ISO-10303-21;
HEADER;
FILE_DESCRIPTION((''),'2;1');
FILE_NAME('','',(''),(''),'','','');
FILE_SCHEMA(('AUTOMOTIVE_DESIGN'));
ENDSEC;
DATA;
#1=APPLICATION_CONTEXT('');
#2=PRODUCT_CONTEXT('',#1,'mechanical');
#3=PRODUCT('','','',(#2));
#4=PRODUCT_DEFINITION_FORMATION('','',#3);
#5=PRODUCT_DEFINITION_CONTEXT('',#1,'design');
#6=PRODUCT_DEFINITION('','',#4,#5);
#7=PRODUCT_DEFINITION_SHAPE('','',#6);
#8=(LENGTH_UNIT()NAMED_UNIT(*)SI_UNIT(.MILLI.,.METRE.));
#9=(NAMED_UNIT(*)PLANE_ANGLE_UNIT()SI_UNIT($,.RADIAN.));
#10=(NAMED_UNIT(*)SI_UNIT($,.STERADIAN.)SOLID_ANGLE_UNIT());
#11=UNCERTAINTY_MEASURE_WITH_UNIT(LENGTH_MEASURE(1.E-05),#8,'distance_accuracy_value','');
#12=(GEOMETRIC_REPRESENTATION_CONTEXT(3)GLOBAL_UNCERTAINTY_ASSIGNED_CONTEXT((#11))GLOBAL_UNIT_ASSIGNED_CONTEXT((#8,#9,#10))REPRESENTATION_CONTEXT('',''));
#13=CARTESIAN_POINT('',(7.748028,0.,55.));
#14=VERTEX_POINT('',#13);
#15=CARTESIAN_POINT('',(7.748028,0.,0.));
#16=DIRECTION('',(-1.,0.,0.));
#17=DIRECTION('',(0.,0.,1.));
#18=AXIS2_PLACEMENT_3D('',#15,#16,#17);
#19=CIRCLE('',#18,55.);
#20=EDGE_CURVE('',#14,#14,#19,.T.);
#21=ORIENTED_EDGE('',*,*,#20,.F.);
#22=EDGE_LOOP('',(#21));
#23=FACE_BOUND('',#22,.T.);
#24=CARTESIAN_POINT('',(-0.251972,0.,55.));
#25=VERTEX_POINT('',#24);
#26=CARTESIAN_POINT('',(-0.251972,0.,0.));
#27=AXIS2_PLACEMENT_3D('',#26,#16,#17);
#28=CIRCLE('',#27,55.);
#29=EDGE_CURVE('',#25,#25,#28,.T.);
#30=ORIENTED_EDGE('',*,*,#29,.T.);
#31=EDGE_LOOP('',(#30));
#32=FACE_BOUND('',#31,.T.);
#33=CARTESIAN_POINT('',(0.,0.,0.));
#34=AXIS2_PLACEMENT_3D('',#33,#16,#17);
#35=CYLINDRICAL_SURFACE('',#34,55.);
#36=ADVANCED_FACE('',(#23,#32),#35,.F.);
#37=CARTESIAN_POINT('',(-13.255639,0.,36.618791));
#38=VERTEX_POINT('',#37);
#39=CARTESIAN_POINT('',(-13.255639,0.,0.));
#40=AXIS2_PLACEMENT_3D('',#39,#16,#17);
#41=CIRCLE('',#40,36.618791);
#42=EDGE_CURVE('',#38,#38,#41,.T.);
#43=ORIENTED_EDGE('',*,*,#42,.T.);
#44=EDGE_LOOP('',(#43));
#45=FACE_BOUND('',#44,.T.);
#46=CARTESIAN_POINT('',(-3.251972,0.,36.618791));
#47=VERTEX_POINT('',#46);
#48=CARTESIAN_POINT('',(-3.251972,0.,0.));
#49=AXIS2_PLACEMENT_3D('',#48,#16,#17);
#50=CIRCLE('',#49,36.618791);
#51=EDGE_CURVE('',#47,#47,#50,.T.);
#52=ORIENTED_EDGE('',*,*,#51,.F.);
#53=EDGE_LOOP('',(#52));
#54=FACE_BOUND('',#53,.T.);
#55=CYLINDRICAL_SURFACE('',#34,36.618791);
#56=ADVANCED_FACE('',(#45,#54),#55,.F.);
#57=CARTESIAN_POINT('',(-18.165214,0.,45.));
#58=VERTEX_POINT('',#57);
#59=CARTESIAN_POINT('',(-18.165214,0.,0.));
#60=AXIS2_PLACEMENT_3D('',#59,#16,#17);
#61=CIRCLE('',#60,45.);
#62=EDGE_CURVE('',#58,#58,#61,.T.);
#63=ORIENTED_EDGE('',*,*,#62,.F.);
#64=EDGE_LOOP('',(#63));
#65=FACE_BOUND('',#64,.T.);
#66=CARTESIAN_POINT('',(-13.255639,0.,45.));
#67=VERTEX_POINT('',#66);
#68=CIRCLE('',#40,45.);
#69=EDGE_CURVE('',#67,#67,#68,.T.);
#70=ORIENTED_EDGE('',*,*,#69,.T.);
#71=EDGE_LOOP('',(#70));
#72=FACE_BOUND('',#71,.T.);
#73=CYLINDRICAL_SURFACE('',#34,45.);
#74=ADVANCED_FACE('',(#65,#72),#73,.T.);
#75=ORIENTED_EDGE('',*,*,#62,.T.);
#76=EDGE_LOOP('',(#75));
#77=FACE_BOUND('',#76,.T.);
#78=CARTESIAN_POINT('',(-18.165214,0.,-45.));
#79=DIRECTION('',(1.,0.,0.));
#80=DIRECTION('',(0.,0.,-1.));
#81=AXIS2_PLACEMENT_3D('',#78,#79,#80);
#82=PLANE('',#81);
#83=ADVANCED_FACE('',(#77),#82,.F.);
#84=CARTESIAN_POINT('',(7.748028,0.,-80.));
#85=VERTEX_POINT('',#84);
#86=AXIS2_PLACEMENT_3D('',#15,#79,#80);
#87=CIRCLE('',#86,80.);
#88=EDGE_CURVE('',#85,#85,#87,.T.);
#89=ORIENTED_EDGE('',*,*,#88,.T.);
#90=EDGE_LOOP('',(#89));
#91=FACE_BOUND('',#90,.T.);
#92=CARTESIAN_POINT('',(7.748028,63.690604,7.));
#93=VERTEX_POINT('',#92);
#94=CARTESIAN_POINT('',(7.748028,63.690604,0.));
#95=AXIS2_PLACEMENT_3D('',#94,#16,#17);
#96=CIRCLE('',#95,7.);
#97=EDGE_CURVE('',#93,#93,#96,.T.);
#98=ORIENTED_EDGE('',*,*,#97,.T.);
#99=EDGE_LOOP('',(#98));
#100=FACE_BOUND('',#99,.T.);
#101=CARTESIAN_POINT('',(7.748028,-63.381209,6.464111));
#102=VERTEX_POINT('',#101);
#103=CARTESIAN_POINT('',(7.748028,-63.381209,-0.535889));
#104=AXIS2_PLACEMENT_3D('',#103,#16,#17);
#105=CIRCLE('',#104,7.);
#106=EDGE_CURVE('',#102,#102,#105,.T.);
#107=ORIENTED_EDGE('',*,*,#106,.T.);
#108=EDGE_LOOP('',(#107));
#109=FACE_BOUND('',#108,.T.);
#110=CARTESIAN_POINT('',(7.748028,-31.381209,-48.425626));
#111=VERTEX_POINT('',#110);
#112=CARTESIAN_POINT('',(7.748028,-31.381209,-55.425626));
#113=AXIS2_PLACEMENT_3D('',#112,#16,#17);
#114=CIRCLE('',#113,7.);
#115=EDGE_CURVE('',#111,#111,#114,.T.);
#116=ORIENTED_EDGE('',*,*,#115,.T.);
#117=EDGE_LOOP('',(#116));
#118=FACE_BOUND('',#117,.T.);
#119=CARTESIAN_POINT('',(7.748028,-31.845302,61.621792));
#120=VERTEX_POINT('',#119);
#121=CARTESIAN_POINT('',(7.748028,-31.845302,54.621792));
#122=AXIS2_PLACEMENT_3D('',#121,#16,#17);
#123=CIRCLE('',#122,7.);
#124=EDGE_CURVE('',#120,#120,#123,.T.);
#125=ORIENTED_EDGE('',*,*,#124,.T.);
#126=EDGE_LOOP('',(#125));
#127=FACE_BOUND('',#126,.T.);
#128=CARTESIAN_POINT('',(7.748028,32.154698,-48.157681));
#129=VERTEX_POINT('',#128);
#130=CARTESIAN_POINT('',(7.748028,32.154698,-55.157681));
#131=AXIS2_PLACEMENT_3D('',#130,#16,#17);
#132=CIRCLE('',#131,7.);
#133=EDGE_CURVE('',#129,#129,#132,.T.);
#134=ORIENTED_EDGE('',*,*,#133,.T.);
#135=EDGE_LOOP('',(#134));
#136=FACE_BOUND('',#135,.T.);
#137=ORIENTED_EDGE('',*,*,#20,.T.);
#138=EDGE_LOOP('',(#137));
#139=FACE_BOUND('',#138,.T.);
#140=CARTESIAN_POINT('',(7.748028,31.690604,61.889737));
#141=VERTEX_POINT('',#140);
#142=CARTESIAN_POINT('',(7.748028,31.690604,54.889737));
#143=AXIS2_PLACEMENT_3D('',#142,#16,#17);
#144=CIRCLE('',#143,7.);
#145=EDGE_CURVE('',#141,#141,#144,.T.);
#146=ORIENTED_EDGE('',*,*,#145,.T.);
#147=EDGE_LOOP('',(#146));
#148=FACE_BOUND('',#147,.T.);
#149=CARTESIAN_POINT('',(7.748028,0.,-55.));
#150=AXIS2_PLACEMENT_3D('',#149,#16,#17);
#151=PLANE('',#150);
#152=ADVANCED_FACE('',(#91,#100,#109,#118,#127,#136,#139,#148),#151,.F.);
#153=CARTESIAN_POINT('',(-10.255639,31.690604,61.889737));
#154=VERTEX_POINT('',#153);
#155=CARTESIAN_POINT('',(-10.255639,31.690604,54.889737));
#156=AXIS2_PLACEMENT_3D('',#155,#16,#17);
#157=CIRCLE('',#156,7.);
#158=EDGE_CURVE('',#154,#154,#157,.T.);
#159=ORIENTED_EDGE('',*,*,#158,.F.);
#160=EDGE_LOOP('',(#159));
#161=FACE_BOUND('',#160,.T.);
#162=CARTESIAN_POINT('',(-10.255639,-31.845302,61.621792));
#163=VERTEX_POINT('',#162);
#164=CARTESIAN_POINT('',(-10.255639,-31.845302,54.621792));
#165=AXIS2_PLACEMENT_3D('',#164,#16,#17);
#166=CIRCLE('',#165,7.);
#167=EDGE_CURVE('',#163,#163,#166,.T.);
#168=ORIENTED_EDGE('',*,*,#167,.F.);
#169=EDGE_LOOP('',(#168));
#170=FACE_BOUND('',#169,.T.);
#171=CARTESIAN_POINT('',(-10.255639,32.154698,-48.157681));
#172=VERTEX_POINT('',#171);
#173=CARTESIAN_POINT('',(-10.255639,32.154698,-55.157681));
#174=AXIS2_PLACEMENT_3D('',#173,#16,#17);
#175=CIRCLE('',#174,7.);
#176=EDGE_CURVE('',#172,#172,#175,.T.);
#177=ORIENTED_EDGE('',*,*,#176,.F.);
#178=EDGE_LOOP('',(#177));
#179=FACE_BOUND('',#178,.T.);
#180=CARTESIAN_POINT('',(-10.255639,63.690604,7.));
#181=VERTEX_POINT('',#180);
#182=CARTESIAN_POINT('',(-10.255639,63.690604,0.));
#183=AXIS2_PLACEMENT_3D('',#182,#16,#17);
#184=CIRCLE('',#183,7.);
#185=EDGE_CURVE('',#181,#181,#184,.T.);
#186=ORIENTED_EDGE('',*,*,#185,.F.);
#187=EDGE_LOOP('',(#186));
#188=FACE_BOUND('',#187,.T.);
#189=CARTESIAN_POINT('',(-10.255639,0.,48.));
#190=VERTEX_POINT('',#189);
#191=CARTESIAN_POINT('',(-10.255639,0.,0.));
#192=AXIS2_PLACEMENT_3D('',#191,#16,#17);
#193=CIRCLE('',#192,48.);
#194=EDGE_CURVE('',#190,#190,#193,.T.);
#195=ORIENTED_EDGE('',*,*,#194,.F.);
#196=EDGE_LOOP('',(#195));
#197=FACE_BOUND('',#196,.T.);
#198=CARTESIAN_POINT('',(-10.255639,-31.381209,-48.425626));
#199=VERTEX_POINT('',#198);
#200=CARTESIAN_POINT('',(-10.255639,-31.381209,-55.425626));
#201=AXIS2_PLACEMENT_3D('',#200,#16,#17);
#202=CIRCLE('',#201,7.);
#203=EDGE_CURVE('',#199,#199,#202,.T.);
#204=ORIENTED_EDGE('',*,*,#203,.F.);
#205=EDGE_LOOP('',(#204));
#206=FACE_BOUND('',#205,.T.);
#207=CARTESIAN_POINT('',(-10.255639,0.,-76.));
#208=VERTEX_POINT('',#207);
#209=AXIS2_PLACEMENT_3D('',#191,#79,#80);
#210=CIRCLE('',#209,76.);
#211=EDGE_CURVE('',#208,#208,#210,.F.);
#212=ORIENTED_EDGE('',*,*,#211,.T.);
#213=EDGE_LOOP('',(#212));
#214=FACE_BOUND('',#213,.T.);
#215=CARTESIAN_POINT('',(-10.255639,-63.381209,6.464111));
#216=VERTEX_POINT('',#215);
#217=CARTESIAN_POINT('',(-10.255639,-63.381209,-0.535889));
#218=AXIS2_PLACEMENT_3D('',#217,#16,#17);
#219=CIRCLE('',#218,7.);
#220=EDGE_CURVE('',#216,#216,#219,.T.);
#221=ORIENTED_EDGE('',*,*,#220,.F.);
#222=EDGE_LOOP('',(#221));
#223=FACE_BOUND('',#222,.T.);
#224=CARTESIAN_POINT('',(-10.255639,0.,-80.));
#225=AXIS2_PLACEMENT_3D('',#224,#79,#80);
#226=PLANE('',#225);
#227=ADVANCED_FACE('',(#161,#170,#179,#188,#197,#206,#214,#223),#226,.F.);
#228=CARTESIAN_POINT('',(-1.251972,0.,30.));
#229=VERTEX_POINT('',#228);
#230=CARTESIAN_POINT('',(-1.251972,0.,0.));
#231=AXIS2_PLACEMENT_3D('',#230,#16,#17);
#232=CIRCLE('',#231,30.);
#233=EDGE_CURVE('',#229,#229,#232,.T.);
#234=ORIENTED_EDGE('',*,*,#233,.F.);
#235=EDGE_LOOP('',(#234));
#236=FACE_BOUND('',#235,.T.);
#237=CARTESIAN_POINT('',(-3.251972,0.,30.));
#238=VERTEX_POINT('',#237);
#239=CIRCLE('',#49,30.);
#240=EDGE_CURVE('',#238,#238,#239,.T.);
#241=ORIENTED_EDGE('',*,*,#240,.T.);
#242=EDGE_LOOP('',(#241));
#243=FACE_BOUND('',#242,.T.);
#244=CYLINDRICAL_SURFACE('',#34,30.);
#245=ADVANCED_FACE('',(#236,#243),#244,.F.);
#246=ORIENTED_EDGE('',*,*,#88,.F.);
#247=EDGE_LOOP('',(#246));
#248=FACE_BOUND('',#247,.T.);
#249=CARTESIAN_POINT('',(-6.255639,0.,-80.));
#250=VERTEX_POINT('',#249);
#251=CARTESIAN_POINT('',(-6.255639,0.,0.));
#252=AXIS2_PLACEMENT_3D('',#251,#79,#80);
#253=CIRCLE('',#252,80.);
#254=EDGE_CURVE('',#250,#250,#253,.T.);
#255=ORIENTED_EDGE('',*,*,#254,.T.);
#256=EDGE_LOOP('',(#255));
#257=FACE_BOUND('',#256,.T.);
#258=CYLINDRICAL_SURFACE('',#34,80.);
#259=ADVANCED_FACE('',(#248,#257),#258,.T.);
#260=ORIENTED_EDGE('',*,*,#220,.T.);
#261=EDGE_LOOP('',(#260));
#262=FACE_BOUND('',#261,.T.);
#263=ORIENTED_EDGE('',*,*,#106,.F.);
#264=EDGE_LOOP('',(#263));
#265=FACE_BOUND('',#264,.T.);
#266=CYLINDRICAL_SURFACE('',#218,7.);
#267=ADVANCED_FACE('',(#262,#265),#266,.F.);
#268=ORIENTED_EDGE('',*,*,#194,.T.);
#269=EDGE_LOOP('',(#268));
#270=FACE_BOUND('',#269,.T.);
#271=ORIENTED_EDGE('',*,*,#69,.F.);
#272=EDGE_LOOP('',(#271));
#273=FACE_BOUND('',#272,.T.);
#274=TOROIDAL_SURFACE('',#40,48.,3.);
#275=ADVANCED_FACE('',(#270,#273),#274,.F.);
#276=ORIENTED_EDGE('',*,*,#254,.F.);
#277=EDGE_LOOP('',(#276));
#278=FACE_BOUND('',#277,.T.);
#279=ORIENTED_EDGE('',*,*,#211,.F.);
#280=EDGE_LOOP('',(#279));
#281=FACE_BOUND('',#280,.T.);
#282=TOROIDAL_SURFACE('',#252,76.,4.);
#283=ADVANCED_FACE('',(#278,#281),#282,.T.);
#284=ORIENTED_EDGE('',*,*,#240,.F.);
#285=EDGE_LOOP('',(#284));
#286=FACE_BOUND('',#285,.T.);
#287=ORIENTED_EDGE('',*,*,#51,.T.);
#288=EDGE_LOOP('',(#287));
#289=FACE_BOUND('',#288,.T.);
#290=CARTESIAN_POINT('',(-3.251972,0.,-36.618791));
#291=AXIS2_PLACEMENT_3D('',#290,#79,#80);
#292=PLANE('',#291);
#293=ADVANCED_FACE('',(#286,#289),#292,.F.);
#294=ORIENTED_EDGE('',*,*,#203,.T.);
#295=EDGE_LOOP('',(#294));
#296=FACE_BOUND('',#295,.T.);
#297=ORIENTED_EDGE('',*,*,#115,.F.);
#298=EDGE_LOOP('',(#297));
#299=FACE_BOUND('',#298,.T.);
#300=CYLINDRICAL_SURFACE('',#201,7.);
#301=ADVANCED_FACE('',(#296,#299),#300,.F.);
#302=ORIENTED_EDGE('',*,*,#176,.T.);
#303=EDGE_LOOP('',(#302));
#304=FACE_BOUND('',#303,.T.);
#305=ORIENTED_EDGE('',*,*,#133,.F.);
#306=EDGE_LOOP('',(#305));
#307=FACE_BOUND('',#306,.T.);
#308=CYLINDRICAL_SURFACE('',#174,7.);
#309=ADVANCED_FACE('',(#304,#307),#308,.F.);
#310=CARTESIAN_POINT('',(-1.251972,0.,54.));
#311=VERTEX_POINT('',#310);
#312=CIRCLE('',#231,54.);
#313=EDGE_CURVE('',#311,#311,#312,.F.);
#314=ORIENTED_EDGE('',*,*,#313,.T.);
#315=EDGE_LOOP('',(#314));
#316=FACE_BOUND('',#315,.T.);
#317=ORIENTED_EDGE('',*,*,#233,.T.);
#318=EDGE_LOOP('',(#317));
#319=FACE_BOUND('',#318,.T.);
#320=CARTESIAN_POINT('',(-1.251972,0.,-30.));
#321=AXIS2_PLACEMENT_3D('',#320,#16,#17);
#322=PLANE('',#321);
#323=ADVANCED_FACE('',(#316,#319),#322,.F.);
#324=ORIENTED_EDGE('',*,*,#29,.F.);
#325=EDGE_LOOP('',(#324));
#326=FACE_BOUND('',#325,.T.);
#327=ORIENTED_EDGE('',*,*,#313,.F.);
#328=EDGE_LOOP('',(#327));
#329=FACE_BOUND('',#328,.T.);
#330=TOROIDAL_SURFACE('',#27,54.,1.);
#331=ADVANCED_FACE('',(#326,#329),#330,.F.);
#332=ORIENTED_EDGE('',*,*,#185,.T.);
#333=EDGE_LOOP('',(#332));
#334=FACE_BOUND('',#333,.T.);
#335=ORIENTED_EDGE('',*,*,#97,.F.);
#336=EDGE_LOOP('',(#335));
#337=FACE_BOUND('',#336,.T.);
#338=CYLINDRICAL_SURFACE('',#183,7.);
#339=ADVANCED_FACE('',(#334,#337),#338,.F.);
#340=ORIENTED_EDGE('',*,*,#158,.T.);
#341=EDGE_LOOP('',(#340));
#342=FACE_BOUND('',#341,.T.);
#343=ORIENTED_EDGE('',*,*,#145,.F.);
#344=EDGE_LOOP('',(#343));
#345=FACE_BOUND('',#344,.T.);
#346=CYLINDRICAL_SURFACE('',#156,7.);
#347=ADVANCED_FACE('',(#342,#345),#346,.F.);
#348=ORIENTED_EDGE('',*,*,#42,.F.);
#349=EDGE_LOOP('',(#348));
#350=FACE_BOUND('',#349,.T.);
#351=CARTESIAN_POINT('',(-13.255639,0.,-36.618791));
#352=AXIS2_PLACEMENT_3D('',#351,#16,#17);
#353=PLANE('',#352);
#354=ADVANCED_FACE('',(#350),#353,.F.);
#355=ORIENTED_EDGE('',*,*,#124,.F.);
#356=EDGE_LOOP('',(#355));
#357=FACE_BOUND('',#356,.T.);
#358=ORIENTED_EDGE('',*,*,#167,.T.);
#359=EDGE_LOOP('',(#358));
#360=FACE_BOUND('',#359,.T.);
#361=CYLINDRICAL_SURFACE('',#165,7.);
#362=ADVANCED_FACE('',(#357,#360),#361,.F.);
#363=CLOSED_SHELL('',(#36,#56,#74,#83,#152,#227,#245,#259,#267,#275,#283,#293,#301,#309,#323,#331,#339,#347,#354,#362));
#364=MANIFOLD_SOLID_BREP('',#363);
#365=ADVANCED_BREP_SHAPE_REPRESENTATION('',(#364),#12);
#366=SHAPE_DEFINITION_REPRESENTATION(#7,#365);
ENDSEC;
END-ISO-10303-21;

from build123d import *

# Parameters (mm, degrees)
SKETCH2_W              = 14.003667681
SKETCH2_H              = 20
M16X2_0_TAPPED_HOLE1_D = 14
FILLET4_R              = 4
FILLET5_R              = 1


with BuildPart() as part:
    # Sketch1 → Revolve1 (revolve)
    with BuildSketch(Plane(origin=(0, 0, 0), x_dir=(1, 0, 0), z_dir=(0, 1, 0)), mode=Mode.PRIVATE) as revolve1_sk:
        with BuildLine():
            Line((-3.251971734, 30), (-1.251971734, 30))
            Line((-1.251971734, 30), (-1.251971734, 55))
            Line((-1.251971734, 55), (7.748028266, 55))
            Line((7.748028266, 55), (7.748028266, 60))
            Line((7.748028266, 60), (-6.255639415, 60))
            Line((-6.255639415, 60), (-6.255639415, 80))
            Line((-6.255639415, 80), (-10.255639415, 80))
            Line((-10.255639415, 80), (-10.255639415, 48))
            ThreePointArc((-10.255639415, 48), (-11.134319072, 45.878679656), (-13.255639415, 45))
            Line((-13.255639415, 45), (-18.165214358, 45))
            Line((-18.165214358, 45), (-18.165214358, 0))
            Line((-18.165214358, 0), (-13.255639415, 0))
            Line((-13.255639415, 0), (-13.255639415, 36.618791205))
            Line((-13.255639415, 36.618791205), (-3.251971734, 36.618791205))
            Line((-3.251971734, 36.618791205), (-3.251971734, 30))
        make_face()
    revolve(revolve1_sk.sketch.rotate(Axis((0, 0, 0), (1, 0, 0)), 180), axis=Axis((0, 0, 0), (1, 0, 0)))

    # Sketch2 → Revolve2 (revolve)
    with BuildSketch(Plane(origin=(0, 0, 0), x_dir=(1, 0, 0), z_dir=(0, 1, 0)), mode=Mode.PRIVATE) as revolve2_sk:
        with Locations((0.746194426, 70)):
            Rectangle(SKETCH2_W, SKETCH2_H)
    revolve(revolve2_sk.sketch.rotate(Axis((0, 0, 0), (-1, 0, 0)), 180), axis=Axis((0, 0, 0), (-1, 0, 0)))

    # M16x2.0 Tapped Hole1 (through all)
    with Locations(Plane.ZY.offset(10.255639415)):
        with Locations((0, 63.690604398), (54.889736939, 31.690604398), (54.621792488, -31.845302199), (-0.535888903, -63.381208795), (-55.425625842, -31.381208795), (-55.157681391, 32.154697801)):
            Hole(M16X2_0_TAPPED_HOLE1_D / 2)

    # Fillet4
    fillet4_edges = [part.edges().sort_by_distance(p)[0] for p in [
        (-10.255639415, 0, -80),
    ]]
    fillet(fillet4_edges, radius=FILLET4_R)

    # Fillet5
    fillet5_edges = [part.edges().sort_by_distance(p)[0] for p in [
        (-1.251971734, 0, -55),
    ]]
    fillet(fillet5_edges, radius=FILLET5_R)


solid = part.part
